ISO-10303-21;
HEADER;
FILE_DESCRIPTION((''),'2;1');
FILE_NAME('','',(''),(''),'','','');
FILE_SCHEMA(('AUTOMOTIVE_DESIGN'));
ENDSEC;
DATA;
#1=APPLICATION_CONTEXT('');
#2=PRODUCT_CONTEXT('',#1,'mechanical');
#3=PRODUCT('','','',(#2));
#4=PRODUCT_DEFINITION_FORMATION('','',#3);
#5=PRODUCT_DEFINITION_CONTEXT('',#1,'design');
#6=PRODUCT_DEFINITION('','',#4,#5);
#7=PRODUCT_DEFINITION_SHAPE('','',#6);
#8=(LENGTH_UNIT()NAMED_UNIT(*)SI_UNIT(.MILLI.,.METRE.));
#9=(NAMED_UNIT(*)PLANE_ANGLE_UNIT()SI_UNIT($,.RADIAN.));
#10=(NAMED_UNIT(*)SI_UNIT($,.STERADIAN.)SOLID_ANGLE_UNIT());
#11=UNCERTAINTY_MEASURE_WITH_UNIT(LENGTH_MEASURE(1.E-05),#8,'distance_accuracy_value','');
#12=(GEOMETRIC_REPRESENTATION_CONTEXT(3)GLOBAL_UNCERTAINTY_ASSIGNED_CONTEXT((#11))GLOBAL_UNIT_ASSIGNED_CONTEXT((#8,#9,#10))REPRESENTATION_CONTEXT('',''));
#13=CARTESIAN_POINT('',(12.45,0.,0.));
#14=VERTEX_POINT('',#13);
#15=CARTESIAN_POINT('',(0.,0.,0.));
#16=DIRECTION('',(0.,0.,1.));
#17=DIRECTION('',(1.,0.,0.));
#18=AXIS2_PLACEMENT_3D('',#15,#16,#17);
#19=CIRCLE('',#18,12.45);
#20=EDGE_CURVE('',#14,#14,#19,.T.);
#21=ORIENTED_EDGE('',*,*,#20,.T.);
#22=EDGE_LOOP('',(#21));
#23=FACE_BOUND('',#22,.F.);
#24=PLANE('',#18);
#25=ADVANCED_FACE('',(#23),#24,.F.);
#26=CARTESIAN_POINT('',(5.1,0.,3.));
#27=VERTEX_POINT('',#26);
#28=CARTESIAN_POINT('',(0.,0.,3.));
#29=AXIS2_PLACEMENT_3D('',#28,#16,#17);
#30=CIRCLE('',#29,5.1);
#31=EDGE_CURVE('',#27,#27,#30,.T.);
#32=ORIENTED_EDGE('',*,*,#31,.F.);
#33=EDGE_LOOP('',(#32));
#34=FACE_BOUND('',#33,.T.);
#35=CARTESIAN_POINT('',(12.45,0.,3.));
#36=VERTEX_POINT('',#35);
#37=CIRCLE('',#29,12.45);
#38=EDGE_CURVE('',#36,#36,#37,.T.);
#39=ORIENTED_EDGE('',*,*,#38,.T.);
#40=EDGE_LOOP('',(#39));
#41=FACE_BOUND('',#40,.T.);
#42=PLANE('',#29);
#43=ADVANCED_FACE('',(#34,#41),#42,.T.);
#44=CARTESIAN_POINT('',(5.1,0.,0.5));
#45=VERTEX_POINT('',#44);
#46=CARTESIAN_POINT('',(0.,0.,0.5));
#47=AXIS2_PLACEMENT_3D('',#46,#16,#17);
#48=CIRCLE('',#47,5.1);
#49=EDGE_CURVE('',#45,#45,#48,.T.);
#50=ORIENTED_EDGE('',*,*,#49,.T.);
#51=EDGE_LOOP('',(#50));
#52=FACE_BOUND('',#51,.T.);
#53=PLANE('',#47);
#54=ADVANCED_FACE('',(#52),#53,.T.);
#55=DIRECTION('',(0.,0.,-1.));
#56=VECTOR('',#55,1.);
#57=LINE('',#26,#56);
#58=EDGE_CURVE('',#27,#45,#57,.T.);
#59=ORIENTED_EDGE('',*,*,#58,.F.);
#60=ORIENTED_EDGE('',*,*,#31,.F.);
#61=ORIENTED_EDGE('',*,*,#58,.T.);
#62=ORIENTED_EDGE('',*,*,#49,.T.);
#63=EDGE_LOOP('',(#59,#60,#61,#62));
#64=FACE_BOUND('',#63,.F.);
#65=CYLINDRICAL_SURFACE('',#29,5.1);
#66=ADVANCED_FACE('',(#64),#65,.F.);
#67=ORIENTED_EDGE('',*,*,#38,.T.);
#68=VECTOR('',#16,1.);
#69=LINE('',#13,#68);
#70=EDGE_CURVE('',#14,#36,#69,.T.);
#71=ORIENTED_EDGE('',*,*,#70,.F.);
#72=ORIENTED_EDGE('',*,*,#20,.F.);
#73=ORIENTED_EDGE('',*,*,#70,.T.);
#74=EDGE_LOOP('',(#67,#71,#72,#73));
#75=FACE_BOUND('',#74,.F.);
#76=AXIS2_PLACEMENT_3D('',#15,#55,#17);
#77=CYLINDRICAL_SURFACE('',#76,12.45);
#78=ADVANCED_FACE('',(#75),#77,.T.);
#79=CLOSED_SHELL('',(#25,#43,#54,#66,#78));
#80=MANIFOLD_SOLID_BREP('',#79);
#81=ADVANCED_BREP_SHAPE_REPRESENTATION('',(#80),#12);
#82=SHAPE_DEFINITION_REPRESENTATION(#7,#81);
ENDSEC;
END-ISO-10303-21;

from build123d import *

# Parameters (mm, degrees)
SKETCH_R     = 12.45
PAD_DEPTH    = 3
SKETCH001_R  = 5.1
POCKET_DEPTH = 2.5


with BuildPart() as part:
    # Sketch → Pad (new body)
    with BuildSketch(Plane.XY):
        Circle(SKETCH_R)
    extrude(amount=PAD_DEPTH)

    # Sketch001 (on Face3 of Pad) → Pocket (cut)
    with BuildSketch(Plane.XY.offset(3)):
        Circle(SKETCH001_R)
    extrude(amount=-POCKET_DEPTH, mode=Mode.SUBTRACT)


solid = part.part
